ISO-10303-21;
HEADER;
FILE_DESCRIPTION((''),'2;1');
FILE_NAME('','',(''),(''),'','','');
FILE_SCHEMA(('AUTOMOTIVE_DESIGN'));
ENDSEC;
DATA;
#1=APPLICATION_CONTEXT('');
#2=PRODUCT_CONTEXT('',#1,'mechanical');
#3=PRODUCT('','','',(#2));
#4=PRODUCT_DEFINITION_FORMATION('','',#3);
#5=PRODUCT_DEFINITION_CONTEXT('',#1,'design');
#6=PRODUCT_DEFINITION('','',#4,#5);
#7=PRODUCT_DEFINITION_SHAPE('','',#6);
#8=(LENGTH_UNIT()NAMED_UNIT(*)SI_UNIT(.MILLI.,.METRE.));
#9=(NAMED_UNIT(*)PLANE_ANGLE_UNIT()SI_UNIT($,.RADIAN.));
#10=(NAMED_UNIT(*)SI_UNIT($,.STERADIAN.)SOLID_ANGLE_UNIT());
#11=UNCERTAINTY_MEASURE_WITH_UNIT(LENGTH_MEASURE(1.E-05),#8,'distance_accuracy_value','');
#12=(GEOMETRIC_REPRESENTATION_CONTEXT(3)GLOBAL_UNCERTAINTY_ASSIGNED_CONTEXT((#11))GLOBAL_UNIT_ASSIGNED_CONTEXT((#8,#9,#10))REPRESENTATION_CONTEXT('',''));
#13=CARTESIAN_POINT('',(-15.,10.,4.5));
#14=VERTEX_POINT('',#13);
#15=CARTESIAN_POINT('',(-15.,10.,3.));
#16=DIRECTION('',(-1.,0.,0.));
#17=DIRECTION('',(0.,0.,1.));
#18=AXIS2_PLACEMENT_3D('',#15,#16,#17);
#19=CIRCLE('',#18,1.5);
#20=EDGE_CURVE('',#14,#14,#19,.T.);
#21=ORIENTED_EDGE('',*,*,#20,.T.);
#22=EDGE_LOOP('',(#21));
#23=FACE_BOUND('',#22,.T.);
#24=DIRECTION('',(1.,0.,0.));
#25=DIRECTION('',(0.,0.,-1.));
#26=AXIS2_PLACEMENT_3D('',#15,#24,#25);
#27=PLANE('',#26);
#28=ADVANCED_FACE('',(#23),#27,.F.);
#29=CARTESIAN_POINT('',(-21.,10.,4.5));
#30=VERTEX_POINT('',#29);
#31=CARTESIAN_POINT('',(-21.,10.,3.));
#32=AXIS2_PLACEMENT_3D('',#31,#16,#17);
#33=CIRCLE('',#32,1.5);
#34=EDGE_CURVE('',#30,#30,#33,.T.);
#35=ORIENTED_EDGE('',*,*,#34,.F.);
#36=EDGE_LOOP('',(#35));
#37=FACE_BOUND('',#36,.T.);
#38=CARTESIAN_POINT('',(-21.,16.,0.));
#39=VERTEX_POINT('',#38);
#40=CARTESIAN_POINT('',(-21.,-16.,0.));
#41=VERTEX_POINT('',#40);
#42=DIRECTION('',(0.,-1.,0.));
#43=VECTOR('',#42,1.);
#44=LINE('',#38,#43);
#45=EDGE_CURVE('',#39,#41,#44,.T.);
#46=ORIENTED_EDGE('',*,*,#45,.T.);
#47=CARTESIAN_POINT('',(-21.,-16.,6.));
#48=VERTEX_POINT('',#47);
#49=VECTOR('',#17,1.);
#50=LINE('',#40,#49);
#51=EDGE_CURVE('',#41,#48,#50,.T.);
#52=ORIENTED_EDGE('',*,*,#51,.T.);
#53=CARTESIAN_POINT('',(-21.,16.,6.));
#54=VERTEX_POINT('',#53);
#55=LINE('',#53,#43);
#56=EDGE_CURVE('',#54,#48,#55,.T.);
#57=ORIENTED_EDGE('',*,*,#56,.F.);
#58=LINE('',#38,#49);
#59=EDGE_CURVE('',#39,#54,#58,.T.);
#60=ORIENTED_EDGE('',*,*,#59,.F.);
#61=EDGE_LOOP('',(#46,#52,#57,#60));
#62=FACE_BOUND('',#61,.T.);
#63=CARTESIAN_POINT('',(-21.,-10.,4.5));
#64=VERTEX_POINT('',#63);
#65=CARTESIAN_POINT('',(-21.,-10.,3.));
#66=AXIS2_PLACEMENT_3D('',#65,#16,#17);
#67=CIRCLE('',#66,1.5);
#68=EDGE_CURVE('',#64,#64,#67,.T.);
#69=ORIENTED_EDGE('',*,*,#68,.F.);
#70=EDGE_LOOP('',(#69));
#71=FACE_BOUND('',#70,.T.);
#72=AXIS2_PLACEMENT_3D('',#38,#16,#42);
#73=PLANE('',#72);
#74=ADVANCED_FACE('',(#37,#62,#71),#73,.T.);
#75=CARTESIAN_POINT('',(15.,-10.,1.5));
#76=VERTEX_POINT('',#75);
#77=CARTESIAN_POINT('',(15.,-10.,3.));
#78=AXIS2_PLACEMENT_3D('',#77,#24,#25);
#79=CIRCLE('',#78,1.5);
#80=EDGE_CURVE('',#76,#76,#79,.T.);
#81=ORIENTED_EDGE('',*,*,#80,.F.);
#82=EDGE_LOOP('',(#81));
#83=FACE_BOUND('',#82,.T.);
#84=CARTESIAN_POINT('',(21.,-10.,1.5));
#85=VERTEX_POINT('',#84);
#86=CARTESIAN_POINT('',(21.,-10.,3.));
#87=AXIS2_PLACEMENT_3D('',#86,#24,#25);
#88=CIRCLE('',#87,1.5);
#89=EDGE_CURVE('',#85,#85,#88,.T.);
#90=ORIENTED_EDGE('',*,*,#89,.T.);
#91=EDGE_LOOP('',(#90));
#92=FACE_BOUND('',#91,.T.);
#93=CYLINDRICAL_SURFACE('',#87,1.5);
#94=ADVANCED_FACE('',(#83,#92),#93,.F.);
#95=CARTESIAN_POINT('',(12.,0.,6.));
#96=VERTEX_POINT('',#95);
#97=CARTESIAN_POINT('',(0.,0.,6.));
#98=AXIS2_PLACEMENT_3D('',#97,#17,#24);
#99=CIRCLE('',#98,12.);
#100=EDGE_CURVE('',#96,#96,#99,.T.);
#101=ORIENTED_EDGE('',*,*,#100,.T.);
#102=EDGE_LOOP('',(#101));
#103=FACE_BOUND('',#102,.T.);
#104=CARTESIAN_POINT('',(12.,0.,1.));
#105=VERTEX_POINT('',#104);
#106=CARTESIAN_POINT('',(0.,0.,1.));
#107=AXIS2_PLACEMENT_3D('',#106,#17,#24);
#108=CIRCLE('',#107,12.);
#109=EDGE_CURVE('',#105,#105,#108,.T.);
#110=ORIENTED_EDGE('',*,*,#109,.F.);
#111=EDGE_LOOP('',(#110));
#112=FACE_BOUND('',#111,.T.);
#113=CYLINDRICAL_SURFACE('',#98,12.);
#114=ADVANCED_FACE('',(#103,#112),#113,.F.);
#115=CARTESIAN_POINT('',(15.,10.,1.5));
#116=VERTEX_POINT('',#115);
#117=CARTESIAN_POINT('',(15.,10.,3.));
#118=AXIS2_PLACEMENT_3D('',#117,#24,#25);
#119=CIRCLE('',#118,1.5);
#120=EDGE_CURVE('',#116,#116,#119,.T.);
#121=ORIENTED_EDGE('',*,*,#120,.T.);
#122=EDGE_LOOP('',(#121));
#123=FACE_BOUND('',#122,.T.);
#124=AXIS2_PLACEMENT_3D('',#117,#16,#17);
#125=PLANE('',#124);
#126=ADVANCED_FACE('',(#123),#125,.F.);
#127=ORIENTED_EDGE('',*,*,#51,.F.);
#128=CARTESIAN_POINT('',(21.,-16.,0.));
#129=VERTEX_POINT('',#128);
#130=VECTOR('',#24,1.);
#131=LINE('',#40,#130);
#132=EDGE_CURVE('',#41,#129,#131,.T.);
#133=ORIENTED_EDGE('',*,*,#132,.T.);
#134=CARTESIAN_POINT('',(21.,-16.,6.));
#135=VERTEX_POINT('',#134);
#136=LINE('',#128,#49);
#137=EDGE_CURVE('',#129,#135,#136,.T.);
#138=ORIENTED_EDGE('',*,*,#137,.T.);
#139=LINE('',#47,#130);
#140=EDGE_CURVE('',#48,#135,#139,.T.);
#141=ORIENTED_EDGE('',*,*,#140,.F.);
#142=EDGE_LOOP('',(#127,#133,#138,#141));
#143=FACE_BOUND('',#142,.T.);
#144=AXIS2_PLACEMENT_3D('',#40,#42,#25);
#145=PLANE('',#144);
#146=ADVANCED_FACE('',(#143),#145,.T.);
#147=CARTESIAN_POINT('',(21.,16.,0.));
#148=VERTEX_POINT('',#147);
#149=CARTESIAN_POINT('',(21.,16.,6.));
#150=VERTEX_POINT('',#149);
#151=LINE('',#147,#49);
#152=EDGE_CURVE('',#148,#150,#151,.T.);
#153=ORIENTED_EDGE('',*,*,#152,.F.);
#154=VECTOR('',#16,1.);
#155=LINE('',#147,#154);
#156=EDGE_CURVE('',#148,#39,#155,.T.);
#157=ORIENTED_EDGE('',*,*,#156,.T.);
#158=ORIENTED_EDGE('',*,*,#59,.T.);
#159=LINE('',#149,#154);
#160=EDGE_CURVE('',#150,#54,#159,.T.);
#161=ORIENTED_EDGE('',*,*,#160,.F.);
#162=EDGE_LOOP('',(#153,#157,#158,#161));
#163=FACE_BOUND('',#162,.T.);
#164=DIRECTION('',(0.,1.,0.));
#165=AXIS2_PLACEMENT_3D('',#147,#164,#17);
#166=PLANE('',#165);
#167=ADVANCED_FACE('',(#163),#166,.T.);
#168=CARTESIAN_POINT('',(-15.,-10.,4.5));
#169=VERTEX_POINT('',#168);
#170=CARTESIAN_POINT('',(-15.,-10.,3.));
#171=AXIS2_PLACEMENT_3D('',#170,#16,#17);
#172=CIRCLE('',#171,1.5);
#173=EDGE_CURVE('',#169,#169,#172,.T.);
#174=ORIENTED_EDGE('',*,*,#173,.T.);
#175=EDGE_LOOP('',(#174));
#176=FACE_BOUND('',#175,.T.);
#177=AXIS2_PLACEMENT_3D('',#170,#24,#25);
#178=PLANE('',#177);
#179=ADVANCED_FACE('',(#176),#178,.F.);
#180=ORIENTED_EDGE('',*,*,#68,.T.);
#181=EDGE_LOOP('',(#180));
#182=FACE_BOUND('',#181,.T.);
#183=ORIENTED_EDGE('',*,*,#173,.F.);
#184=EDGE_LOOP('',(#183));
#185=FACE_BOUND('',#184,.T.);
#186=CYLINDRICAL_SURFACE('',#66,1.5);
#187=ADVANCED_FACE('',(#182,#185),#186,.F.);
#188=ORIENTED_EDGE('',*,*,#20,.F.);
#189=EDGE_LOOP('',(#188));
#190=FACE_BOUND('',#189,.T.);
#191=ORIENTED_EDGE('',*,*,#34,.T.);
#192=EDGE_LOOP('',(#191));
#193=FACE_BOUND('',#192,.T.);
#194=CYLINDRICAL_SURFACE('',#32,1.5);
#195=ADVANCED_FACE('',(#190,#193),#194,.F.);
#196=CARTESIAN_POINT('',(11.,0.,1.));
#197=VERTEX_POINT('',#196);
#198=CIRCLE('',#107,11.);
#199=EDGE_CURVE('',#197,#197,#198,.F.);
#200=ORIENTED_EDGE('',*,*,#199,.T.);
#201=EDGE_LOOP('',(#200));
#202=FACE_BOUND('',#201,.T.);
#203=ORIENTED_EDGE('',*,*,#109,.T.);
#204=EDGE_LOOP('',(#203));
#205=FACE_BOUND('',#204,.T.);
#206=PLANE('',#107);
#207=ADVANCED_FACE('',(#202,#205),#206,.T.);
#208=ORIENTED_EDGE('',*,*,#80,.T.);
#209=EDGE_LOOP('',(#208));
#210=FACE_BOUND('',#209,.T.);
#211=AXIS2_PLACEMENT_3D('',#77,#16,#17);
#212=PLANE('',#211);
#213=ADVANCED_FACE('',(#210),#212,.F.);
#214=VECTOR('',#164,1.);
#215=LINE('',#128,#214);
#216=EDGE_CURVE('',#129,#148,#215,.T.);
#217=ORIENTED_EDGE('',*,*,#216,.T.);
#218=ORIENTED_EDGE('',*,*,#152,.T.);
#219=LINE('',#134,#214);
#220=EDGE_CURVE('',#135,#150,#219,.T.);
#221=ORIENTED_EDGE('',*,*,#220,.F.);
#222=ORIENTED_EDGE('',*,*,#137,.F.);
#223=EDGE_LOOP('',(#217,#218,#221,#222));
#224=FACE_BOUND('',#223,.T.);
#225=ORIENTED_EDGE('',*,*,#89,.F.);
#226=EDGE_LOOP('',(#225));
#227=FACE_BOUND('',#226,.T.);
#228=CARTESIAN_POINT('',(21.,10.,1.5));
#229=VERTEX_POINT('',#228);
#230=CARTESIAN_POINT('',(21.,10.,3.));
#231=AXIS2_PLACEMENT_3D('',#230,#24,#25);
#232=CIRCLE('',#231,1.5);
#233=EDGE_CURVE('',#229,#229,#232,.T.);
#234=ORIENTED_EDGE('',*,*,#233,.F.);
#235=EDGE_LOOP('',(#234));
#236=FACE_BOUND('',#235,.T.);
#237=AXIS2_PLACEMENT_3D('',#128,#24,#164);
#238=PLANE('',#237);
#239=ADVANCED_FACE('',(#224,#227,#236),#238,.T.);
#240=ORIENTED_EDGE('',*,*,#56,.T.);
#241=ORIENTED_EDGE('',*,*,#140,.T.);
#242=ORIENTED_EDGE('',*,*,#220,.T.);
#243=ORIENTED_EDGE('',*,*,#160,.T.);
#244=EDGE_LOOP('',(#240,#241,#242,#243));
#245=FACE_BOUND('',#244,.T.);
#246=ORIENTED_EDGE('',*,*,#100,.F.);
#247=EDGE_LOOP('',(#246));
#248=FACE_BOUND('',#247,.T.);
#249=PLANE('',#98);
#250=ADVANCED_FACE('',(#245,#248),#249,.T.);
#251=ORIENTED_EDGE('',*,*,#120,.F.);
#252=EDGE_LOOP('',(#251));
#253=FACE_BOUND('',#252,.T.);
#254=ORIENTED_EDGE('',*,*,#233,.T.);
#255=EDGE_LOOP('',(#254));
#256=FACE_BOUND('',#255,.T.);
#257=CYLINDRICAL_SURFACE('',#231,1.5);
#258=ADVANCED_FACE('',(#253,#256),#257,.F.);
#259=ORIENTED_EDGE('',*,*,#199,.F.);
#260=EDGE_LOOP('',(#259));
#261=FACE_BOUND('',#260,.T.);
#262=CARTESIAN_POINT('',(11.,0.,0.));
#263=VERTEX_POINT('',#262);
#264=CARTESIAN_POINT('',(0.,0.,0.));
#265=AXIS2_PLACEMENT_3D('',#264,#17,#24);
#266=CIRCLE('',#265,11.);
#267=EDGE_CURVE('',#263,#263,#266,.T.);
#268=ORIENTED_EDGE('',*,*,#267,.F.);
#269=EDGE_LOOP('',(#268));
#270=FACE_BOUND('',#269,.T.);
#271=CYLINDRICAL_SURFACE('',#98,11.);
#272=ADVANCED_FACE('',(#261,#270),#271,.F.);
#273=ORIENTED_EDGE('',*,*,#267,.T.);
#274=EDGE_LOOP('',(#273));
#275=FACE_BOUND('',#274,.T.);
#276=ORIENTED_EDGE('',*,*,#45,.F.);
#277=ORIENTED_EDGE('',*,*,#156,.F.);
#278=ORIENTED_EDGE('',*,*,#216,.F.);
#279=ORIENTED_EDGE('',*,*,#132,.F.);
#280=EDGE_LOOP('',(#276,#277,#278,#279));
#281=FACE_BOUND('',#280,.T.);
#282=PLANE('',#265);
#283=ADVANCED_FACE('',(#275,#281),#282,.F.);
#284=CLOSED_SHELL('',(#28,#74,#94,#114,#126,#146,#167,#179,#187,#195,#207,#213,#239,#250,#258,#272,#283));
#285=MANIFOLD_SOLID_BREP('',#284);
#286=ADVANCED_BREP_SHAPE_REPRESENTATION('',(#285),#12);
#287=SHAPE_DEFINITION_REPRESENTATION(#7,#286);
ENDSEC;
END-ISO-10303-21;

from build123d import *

# Parameters (mm, degrees)
SKETCH_1_W                = 42
SKETCH_1_H                = 32
EXTRUDE_1_DEPTH           = 6
HOLE_WIZARD_3_0_3_1_D     = 3
HOLE_WIZARD_3_0_3_1_DEPTH = 6
HOLE_WIZARD_3_0_3_2_D     = 3
HOLE_WIZARD_3_0_3_2_DEPTH = 6
M24X2_0_1_D               = 22
M24X2_0_1_CBORE_D         = 24
M24X2_0_1_CBORE_DEPTH     = 4
SKETCH_8_R                = 12
CUT_EXTRUDE_1_DEPTH       = 5


with BuildPart() as part:
    # 草图1 → 凸台-拉伸1 (new body)
    with BuildSketch(Plane.XY.offset(6)):
        Rectangle(SKETCH_1_W, SKETCH_1_H)
    extrude(amount=-EXTRUDE_1_DEPTH)

    # Ø3.0 (3) 直径孔1
    with Locations(Plane(origin=(21, 0, 0), x_dir=(0, 0, -1), z_dir=(1, 0, 0))):
        with Locations((-3, -10), (-3, 10)):
            Hole(HOLE_WIZARD_3_0_3_1_D / 2, depth=HOLE_WIZARD_3_0_3_1_DEPTH)

    # Ø3.0 (3) 直径孔2
    with Locations(Plane.ZY.offset(21)):
        with Locations((3, -10), (3, 10)):
            Hole(HOLE_WIZARD_3_0_3_2_D / 2, depth=HOLE_WIZARD_3_0_3_2_DEPTH)

    # M24x2.0 螺纹孔1 (through all)
    with Locations(Plane.XY.offset(6)):
        with Locations((0, 0)):
            CounterBoreHole(M24X2_0_1_D / 2, M24X2_0_1_CBORE_D / 2, M24X2_0_1_CBORE_DEPTH)

    # 草图8 → 切除-拉伸1 (cut)
    with BuildSketch(Plane.XY.offset(6)):
        Circle(SKETCH_8_R)
    extrude(amount=-CUT_EXTRUDE_1_DEPTH, mode=Mode.SUBTRACT)


solid = part.part
